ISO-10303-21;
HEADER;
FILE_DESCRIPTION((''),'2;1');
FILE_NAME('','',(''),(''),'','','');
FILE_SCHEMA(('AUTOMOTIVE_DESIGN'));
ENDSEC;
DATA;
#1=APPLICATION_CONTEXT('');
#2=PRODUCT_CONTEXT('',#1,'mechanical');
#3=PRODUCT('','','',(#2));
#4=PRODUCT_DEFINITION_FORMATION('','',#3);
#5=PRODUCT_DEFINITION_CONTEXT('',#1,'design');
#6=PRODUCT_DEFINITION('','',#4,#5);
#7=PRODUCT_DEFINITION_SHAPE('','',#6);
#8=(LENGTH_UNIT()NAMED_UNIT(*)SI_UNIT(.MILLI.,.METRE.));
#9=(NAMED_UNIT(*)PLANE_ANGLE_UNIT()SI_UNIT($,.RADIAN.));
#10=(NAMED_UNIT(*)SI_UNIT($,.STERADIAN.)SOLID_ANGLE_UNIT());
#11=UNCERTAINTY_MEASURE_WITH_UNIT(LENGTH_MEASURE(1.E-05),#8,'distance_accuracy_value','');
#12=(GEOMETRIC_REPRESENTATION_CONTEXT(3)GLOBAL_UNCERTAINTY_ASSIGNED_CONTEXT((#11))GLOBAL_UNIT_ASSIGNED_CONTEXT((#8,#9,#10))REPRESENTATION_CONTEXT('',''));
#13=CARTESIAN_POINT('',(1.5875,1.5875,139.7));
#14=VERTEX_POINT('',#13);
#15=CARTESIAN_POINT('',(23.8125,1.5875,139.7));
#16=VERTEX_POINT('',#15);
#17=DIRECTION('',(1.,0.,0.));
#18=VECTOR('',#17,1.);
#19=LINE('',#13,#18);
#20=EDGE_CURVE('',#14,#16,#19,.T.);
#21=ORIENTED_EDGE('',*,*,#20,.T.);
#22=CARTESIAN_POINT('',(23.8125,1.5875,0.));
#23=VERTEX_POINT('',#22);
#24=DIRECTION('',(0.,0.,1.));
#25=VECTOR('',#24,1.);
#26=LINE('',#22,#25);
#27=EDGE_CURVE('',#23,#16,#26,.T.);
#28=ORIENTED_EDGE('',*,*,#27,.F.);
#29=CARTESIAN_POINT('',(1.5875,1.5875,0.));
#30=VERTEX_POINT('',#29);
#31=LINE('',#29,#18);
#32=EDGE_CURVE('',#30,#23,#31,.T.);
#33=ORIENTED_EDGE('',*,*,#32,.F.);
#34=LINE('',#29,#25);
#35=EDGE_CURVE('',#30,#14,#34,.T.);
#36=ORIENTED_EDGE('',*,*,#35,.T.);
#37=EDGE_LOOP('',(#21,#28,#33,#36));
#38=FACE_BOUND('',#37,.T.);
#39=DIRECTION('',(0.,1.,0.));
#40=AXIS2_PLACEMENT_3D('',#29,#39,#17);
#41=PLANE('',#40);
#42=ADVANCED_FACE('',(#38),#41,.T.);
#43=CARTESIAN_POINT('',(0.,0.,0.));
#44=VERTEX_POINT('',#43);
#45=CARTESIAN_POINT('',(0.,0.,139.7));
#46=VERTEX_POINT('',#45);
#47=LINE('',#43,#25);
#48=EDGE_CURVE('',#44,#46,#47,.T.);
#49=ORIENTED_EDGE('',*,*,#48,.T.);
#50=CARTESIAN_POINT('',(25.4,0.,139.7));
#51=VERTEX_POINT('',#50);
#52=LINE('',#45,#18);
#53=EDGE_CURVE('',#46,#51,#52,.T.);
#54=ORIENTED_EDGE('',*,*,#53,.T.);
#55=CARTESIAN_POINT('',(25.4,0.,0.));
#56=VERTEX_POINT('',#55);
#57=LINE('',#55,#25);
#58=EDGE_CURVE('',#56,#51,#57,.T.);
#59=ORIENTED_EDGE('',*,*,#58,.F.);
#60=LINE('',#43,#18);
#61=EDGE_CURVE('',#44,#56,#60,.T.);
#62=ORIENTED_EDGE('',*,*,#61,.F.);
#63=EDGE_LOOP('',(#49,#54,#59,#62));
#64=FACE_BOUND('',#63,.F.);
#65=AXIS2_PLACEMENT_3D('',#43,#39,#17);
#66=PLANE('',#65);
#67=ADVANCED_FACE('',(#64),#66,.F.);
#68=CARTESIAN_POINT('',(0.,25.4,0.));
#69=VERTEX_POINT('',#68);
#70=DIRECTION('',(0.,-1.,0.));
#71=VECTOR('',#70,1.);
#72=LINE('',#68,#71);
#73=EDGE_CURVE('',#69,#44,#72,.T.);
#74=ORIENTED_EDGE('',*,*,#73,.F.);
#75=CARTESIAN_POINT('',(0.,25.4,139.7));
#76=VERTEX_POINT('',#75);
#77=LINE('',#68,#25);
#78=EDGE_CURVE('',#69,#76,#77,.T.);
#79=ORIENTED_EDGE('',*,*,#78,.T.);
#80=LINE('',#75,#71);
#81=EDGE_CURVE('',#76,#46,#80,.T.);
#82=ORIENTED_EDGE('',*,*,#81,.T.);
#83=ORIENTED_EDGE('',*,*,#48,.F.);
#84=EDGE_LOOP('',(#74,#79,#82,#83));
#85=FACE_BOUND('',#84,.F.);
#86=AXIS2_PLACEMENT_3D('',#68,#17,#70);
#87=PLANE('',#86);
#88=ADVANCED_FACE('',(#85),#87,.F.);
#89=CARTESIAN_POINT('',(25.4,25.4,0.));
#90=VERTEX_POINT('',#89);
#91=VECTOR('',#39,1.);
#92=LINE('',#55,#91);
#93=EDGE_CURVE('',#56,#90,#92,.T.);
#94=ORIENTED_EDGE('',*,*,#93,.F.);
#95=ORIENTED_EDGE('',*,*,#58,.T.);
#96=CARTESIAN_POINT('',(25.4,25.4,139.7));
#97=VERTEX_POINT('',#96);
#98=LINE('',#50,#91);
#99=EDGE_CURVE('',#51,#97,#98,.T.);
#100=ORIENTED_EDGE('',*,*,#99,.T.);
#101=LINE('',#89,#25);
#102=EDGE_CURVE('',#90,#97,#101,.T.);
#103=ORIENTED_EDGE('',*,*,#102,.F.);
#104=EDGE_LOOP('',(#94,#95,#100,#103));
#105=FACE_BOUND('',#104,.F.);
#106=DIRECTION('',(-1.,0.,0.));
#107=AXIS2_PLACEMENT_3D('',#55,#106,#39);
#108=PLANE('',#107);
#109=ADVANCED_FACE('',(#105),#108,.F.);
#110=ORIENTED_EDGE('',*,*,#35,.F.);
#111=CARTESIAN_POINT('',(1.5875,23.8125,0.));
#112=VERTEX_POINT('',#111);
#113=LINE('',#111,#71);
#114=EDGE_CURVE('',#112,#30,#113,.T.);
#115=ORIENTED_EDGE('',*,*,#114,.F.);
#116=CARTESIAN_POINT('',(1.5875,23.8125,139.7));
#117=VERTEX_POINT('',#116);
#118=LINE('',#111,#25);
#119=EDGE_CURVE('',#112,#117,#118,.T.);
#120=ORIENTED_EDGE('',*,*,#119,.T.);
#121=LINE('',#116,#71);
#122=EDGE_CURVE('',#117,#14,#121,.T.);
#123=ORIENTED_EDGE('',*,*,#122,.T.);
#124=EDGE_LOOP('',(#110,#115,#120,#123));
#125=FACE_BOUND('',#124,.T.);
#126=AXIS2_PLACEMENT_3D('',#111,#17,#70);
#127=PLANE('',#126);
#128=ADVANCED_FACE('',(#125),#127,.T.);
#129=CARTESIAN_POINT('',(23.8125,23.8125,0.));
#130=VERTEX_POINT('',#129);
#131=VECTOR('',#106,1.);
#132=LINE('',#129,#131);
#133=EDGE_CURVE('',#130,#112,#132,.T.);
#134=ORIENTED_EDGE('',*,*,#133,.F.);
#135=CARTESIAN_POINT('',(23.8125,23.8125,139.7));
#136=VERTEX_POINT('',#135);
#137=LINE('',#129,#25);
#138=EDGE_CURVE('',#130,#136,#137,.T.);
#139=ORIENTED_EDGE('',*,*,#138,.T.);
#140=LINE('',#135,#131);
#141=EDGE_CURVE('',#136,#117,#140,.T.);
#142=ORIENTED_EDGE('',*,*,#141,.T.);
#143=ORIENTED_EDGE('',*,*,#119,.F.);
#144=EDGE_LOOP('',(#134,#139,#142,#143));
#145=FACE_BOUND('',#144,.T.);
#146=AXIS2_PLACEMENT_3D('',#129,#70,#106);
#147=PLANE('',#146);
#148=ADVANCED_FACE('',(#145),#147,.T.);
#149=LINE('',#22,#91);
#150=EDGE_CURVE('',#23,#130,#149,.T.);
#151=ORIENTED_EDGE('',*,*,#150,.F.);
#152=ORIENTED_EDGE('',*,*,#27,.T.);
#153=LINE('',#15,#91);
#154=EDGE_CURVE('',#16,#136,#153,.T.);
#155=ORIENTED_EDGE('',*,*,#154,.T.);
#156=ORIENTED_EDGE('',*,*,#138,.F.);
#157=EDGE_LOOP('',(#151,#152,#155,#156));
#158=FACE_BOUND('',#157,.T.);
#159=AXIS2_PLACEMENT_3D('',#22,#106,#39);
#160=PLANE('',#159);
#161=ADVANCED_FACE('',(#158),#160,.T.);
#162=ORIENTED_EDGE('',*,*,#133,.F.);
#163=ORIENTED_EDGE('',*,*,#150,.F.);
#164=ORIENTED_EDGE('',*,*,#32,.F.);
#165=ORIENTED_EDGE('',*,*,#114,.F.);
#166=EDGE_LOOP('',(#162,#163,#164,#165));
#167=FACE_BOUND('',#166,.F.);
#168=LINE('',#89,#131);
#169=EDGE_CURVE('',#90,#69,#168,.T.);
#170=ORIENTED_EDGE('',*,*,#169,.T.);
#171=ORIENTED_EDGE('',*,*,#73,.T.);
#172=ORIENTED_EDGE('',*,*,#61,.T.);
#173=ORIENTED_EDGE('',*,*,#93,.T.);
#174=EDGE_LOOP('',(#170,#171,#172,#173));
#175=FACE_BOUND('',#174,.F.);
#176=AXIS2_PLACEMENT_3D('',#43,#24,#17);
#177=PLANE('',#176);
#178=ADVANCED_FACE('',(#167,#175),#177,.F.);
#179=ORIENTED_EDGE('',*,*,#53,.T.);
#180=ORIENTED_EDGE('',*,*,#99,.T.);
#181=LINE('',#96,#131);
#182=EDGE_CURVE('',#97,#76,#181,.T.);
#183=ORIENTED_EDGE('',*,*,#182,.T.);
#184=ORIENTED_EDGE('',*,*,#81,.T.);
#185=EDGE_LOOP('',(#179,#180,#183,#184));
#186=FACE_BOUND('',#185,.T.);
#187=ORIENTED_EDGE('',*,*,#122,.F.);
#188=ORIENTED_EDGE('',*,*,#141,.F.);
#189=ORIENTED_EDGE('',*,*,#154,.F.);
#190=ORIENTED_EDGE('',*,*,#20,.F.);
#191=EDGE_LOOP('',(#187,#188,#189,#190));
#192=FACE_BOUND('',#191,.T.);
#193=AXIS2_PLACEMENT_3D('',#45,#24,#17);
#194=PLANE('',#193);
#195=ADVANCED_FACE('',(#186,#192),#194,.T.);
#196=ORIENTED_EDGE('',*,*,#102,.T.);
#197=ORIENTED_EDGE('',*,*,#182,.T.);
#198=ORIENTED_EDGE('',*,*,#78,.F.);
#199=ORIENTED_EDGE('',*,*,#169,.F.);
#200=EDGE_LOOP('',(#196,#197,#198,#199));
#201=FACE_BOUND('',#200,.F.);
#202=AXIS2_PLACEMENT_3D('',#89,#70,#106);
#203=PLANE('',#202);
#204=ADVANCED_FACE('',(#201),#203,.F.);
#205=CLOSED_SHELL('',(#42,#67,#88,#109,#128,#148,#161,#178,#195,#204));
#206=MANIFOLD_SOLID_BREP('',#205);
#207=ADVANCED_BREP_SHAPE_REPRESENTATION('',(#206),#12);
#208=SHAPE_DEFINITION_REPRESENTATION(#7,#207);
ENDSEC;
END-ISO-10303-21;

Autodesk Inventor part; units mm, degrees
ref_plane "YZ Plane" through (0, 0, 0) normal (1, 0, 0) x (0, 1, 0)
ref_plane "XZ Plane" through (0, 0, 0) normal (0, 1, 0) x (-1, 0, 0)
ref_plane "XY Plane" through (0, 0, 0) normal (0, 0, 1) x (1, 0, 0)
sketch "Sketch1" plane through (0, 0, 0) normal (0, 0, 1) x (1, 0, 0)
  line L0 (0, 0) -> (25.4, 0)
  line L1 (25.4, 0) -> (25.4, 25.4)
  line L2 (25.4, 25.4) -> (0, 25.4)
  line L3 (0, 25.4) -> (0, 0)
  line L4 (1.5875, 1.5875) -> (23.8125, 1.5875)
  line L5 (23.8125, 1.5875) -> (23.8125, 23.8125)
  line L6 (23.8125, 23.8125) -> (1.5875, 23.8125)
  line L7 (1.5875, 23.8125) -> (1.5875, 1.5875)
  dimension "d0" = 25.4
  dimension "d1" = 25.4
  dimension "d2" = 1.5875
  dimension "d3" = 1.5875
  dimension "d4" = 1.5875
  dimension "d5" = 1.5875
extrude "Extrusion1" add sketch "Sketch1" along normal blind 139.7
properties part number "5.5 1x1"
